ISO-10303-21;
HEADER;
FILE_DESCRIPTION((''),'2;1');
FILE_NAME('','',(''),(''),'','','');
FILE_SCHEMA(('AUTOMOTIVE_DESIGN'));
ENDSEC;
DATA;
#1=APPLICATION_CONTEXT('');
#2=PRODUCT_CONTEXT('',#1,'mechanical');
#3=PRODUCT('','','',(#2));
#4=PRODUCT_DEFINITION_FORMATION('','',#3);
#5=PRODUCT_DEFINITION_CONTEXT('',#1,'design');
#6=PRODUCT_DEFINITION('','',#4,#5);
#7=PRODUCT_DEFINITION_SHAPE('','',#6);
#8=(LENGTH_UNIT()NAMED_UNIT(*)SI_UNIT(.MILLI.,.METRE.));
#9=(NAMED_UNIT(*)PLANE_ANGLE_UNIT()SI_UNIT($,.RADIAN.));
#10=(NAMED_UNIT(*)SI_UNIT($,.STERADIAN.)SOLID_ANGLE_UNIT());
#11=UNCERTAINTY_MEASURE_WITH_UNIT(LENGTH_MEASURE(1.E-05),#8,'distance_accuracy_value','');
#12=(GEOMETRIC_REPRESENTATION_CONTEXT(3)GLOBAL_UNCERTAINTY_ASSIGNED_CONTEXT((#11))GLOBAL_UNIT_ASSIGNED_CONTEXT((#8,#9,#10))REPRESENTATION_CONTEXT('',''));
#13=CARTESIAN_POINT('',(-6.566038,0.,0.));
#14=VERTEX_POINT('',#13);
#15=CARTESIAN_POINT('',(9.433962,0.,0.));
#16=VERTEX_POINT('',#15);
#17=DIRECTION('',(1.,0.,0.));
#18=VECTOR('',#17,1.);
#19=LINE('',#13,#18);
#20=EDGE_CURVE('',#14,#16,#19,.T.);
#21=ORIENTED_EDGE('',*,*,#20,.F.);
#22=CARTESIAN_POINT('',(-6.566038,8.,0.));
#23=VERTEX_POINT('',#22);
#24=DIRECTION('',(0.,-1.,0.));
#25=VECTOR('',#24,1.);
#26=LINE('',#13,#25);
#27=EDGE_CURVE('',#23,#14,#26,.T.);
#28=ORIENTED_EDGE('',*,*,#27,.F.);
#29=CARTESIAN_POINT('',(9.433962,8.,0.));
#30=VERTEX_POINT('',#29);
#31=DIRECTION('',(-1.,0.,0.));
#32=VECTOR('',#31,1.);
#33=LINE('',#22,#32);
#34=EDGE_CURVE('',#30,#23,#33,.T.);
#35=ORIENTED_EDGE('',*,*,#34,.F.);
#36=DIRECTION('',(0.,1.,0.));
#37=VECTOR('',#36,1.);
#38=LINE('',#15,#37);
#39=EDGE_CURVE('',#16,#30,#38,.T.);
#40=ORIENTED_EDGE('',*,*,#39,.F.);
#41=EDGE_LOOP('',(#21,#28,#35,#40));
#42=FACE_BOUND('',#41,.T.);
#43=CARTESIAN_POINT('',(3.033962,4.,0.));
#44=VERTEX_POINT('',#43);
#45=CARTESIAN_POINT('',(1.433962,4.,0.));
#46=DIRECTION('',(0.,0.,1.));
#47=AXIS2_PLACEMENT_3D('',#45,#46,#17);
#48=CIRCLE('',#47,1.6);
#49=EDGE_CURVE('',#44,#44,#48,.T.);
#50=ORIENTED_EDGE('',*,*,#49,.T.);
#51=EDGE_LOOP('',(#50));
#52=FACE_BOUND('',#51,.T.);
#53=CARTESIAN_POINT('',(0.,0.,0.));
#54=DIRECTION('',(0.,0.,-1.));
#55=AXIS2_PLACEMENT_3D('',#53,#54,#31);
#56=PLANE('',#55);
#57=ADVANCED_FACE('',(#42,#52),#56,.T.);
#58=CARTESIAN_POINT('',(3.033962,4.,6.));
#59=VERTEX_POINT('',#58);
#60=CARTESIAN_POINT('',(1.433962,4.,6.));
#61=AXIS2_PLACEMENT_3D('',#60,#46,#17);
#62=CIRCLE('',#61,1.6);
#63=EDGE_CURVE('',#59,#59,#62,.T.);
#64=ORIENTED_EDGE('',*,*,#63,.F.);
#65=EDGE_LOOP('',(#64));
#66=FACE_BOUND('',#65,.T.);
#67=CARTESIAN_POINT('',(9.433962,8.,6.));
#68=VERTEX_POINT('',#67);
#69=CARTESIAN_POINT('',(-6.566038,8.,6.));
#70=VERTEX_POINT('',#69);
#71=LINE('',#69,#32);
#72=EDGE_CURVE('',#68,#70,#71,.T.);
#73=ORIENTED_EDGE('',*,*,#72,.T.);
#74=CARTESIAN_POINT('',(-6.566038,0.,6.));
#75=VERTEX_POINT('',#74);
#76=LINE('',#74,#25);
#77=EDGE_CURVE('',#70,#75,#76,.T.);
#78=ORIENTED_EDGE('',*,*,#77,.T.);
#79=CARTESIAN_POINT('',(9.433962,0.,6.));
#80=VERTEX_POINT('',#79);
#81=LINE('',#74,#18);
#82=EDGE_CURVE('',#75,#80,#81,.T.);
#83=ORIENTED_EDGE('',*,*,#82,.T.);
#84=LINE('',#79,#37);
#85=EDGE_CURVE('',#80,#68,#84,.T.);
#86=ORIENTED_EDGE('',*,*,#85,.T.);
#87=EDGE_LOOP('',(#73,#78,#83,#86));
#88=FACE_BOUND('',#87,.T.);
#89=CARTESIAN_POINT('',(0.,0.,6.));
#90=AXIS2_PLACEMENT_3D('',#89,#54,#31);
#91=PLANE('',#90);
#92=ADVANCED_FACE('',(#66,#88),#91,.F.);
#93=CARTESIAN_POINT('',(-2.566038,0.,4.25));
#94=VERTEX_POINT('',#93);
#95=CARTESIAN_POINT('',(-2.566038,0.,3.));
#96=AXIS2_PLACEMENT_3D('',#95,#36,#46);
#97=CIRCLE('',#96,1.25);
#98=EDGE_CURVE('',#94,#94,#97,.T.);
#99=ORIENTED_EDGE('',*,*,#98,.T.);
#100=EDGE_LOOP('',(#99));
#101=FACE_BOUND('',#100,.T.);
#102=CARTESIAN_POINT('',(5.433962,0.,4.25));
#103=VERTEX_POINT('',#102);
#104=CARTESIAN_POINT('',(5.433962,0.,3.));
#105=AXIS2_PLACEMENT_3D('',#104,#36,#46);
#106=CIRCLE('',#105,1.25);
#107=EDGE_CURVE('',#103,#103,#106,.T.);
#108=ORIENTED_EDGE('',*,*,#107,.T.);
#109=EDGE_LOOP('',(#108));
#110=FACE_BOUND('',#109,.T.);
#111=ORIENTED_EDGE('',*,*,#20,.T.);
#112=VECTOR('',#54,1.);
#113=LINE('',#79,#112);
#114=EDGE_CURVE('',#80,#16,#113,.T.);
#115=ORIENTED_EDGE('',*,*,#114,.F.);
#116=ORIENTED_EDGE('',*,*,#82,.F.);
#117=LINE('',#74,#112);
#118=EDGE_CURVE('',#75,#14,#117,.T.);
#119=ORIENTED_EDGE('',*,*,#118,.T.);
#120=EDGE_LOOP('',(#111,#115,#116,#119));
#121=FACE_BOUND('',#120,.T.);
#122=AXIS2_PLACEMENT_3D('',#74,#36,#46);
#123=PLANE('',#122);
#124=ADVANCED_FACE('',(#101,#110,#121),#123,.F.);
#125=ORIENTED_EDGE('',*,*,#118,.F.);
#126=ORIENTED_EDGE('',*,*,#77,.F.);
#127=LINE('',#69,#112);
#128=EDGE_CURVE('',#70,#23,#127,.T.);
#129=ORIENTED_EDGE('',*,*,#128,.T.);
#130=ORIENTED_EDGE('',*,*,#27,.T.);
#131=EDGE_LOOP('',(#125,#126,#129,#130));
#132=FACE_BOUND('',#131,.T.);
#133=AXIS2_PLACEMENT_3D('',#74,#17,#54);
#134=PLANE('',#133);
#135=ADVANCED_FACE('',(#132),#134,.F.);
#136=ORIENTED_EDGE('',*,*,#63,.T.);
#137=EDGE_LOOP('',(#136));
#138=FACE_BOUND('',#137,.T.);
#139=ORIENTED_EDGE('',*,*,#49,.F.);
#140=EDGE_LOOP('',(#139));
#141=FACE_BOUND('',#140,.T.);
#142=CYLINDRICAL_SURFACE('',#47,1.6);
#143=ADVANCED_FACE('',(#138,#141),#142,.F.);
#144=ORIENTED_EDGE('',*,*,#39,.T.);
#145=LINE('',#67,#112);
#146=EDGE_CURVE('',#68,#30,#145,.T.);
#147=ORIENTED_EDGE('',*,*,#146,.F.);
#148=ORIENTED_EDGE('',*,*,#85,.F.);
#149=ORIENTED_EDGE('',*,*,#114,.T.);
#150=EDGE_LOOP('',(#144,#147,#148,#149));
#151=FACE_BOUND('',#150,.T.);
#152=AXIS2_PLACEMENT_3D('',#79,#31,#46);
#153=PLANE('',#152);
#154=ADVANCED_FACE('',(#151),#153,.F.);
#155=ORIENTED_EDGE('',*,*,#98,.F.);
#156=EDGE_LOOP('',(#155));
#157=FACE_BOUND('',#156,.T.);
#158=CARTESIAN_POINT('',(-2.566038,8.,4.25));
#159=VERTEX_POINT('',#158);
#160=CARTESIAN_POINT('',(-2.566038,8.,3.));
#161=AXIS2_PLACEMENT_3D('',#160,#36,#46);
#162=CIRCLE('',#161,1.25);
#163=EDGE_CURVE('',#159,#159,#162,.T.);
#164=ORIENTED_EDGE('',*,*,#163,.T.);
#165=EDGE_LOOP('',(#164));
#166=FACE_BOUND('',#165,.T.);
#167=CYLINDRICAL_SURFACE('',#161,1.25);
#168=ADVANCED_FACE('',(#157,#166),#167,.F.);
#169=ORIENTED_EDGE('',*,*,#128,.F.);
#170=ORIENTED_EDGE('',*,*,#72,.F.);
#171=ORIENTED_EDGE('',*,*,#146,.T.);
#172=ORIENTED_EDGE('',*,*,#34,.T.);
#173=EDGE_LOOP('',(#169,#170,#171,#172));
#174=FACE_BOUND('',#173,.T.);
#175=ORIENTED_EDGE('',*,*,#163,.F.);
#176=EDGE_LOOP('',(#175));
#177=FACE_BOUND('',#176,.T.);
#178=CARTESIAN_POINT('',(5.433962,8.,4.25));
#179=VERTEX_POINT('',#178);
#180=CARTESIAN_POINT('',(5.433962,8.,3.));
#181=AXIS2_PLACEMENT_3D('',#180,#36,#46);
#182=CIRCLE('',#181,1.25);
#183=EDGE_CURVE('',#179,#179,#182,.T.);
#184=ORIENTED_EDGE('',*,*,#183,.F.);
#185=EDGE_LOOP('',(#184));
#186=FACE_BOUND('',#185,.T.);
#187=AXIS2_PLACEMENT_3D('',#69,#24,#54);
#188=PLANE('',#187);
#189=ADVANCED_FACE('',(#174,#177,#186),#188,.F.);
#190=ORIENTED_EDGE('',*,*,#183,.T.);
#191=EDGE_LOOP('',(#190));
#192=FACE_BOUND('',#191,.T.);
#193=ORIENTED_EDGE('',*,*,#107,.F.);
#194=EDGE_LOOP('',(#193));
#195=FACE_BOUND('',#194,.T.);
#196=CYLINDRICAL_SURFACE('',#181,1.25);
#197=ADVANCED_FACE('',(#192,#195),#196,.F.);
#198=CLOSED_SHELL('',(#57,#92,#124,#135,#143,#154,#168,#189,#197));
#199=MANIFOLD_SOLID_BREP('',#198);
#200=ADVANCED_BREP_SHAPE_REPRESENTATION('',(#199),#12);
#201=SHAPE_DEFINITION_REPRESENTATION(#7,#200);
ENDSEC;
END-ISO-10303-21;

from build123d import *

# Parameters (mm, degrees)
ESQUISSE1_W                               = 16
ESQUISSE1_H                               = 8
BOSS_EXTRU_1_DEPTH                        = 6
TROU_POUR_TARAUDAGE_POUR_TROU_TARAUD_M3_D = 2.5
ESQUISSE4_R                               = 1.6
ENL_V_MAT_EXTRU_1_DEPTH                   = 6


with BuildPart() as part:
    # Esquisse1 → Boss.-Extru.1 (new body)
    with BuildSketch(Plane.XY):
        with Locations((1.433962264, 4)):
            Rectangle(ESQUISSE1_W, ESQUISSE1_H)
    extrude(amount=BOSS_EXTRU_1_DEPTH)

    # Trou pour taraudage pour trou taraudé M31 (through all)
    with Locations(Plane(origin=(0, 8, 0), x_dir=(1, 0, 0), z_dir=(0, 1, 0))):
        with Locations((-2.566037736, -3), (5.433962264, -3)):
            Hole(TROU_POUR_TARAUDAGE_POUR_TROU_TARAUD_M3_D / 2)

    # Esquisse4 → Enlèv. mat.-Extru.1 (cut)
    with BuildSketch(Plane.XY.offset(6)):
        with Locations((1.433962264, 4)):
            Circle(ESQUISSE4_R)
    extrude(amount=-ENL_V_MAT_EXTRU_1_DEPTH, mode=Mode.SUBTRACT)


solid = part.part
